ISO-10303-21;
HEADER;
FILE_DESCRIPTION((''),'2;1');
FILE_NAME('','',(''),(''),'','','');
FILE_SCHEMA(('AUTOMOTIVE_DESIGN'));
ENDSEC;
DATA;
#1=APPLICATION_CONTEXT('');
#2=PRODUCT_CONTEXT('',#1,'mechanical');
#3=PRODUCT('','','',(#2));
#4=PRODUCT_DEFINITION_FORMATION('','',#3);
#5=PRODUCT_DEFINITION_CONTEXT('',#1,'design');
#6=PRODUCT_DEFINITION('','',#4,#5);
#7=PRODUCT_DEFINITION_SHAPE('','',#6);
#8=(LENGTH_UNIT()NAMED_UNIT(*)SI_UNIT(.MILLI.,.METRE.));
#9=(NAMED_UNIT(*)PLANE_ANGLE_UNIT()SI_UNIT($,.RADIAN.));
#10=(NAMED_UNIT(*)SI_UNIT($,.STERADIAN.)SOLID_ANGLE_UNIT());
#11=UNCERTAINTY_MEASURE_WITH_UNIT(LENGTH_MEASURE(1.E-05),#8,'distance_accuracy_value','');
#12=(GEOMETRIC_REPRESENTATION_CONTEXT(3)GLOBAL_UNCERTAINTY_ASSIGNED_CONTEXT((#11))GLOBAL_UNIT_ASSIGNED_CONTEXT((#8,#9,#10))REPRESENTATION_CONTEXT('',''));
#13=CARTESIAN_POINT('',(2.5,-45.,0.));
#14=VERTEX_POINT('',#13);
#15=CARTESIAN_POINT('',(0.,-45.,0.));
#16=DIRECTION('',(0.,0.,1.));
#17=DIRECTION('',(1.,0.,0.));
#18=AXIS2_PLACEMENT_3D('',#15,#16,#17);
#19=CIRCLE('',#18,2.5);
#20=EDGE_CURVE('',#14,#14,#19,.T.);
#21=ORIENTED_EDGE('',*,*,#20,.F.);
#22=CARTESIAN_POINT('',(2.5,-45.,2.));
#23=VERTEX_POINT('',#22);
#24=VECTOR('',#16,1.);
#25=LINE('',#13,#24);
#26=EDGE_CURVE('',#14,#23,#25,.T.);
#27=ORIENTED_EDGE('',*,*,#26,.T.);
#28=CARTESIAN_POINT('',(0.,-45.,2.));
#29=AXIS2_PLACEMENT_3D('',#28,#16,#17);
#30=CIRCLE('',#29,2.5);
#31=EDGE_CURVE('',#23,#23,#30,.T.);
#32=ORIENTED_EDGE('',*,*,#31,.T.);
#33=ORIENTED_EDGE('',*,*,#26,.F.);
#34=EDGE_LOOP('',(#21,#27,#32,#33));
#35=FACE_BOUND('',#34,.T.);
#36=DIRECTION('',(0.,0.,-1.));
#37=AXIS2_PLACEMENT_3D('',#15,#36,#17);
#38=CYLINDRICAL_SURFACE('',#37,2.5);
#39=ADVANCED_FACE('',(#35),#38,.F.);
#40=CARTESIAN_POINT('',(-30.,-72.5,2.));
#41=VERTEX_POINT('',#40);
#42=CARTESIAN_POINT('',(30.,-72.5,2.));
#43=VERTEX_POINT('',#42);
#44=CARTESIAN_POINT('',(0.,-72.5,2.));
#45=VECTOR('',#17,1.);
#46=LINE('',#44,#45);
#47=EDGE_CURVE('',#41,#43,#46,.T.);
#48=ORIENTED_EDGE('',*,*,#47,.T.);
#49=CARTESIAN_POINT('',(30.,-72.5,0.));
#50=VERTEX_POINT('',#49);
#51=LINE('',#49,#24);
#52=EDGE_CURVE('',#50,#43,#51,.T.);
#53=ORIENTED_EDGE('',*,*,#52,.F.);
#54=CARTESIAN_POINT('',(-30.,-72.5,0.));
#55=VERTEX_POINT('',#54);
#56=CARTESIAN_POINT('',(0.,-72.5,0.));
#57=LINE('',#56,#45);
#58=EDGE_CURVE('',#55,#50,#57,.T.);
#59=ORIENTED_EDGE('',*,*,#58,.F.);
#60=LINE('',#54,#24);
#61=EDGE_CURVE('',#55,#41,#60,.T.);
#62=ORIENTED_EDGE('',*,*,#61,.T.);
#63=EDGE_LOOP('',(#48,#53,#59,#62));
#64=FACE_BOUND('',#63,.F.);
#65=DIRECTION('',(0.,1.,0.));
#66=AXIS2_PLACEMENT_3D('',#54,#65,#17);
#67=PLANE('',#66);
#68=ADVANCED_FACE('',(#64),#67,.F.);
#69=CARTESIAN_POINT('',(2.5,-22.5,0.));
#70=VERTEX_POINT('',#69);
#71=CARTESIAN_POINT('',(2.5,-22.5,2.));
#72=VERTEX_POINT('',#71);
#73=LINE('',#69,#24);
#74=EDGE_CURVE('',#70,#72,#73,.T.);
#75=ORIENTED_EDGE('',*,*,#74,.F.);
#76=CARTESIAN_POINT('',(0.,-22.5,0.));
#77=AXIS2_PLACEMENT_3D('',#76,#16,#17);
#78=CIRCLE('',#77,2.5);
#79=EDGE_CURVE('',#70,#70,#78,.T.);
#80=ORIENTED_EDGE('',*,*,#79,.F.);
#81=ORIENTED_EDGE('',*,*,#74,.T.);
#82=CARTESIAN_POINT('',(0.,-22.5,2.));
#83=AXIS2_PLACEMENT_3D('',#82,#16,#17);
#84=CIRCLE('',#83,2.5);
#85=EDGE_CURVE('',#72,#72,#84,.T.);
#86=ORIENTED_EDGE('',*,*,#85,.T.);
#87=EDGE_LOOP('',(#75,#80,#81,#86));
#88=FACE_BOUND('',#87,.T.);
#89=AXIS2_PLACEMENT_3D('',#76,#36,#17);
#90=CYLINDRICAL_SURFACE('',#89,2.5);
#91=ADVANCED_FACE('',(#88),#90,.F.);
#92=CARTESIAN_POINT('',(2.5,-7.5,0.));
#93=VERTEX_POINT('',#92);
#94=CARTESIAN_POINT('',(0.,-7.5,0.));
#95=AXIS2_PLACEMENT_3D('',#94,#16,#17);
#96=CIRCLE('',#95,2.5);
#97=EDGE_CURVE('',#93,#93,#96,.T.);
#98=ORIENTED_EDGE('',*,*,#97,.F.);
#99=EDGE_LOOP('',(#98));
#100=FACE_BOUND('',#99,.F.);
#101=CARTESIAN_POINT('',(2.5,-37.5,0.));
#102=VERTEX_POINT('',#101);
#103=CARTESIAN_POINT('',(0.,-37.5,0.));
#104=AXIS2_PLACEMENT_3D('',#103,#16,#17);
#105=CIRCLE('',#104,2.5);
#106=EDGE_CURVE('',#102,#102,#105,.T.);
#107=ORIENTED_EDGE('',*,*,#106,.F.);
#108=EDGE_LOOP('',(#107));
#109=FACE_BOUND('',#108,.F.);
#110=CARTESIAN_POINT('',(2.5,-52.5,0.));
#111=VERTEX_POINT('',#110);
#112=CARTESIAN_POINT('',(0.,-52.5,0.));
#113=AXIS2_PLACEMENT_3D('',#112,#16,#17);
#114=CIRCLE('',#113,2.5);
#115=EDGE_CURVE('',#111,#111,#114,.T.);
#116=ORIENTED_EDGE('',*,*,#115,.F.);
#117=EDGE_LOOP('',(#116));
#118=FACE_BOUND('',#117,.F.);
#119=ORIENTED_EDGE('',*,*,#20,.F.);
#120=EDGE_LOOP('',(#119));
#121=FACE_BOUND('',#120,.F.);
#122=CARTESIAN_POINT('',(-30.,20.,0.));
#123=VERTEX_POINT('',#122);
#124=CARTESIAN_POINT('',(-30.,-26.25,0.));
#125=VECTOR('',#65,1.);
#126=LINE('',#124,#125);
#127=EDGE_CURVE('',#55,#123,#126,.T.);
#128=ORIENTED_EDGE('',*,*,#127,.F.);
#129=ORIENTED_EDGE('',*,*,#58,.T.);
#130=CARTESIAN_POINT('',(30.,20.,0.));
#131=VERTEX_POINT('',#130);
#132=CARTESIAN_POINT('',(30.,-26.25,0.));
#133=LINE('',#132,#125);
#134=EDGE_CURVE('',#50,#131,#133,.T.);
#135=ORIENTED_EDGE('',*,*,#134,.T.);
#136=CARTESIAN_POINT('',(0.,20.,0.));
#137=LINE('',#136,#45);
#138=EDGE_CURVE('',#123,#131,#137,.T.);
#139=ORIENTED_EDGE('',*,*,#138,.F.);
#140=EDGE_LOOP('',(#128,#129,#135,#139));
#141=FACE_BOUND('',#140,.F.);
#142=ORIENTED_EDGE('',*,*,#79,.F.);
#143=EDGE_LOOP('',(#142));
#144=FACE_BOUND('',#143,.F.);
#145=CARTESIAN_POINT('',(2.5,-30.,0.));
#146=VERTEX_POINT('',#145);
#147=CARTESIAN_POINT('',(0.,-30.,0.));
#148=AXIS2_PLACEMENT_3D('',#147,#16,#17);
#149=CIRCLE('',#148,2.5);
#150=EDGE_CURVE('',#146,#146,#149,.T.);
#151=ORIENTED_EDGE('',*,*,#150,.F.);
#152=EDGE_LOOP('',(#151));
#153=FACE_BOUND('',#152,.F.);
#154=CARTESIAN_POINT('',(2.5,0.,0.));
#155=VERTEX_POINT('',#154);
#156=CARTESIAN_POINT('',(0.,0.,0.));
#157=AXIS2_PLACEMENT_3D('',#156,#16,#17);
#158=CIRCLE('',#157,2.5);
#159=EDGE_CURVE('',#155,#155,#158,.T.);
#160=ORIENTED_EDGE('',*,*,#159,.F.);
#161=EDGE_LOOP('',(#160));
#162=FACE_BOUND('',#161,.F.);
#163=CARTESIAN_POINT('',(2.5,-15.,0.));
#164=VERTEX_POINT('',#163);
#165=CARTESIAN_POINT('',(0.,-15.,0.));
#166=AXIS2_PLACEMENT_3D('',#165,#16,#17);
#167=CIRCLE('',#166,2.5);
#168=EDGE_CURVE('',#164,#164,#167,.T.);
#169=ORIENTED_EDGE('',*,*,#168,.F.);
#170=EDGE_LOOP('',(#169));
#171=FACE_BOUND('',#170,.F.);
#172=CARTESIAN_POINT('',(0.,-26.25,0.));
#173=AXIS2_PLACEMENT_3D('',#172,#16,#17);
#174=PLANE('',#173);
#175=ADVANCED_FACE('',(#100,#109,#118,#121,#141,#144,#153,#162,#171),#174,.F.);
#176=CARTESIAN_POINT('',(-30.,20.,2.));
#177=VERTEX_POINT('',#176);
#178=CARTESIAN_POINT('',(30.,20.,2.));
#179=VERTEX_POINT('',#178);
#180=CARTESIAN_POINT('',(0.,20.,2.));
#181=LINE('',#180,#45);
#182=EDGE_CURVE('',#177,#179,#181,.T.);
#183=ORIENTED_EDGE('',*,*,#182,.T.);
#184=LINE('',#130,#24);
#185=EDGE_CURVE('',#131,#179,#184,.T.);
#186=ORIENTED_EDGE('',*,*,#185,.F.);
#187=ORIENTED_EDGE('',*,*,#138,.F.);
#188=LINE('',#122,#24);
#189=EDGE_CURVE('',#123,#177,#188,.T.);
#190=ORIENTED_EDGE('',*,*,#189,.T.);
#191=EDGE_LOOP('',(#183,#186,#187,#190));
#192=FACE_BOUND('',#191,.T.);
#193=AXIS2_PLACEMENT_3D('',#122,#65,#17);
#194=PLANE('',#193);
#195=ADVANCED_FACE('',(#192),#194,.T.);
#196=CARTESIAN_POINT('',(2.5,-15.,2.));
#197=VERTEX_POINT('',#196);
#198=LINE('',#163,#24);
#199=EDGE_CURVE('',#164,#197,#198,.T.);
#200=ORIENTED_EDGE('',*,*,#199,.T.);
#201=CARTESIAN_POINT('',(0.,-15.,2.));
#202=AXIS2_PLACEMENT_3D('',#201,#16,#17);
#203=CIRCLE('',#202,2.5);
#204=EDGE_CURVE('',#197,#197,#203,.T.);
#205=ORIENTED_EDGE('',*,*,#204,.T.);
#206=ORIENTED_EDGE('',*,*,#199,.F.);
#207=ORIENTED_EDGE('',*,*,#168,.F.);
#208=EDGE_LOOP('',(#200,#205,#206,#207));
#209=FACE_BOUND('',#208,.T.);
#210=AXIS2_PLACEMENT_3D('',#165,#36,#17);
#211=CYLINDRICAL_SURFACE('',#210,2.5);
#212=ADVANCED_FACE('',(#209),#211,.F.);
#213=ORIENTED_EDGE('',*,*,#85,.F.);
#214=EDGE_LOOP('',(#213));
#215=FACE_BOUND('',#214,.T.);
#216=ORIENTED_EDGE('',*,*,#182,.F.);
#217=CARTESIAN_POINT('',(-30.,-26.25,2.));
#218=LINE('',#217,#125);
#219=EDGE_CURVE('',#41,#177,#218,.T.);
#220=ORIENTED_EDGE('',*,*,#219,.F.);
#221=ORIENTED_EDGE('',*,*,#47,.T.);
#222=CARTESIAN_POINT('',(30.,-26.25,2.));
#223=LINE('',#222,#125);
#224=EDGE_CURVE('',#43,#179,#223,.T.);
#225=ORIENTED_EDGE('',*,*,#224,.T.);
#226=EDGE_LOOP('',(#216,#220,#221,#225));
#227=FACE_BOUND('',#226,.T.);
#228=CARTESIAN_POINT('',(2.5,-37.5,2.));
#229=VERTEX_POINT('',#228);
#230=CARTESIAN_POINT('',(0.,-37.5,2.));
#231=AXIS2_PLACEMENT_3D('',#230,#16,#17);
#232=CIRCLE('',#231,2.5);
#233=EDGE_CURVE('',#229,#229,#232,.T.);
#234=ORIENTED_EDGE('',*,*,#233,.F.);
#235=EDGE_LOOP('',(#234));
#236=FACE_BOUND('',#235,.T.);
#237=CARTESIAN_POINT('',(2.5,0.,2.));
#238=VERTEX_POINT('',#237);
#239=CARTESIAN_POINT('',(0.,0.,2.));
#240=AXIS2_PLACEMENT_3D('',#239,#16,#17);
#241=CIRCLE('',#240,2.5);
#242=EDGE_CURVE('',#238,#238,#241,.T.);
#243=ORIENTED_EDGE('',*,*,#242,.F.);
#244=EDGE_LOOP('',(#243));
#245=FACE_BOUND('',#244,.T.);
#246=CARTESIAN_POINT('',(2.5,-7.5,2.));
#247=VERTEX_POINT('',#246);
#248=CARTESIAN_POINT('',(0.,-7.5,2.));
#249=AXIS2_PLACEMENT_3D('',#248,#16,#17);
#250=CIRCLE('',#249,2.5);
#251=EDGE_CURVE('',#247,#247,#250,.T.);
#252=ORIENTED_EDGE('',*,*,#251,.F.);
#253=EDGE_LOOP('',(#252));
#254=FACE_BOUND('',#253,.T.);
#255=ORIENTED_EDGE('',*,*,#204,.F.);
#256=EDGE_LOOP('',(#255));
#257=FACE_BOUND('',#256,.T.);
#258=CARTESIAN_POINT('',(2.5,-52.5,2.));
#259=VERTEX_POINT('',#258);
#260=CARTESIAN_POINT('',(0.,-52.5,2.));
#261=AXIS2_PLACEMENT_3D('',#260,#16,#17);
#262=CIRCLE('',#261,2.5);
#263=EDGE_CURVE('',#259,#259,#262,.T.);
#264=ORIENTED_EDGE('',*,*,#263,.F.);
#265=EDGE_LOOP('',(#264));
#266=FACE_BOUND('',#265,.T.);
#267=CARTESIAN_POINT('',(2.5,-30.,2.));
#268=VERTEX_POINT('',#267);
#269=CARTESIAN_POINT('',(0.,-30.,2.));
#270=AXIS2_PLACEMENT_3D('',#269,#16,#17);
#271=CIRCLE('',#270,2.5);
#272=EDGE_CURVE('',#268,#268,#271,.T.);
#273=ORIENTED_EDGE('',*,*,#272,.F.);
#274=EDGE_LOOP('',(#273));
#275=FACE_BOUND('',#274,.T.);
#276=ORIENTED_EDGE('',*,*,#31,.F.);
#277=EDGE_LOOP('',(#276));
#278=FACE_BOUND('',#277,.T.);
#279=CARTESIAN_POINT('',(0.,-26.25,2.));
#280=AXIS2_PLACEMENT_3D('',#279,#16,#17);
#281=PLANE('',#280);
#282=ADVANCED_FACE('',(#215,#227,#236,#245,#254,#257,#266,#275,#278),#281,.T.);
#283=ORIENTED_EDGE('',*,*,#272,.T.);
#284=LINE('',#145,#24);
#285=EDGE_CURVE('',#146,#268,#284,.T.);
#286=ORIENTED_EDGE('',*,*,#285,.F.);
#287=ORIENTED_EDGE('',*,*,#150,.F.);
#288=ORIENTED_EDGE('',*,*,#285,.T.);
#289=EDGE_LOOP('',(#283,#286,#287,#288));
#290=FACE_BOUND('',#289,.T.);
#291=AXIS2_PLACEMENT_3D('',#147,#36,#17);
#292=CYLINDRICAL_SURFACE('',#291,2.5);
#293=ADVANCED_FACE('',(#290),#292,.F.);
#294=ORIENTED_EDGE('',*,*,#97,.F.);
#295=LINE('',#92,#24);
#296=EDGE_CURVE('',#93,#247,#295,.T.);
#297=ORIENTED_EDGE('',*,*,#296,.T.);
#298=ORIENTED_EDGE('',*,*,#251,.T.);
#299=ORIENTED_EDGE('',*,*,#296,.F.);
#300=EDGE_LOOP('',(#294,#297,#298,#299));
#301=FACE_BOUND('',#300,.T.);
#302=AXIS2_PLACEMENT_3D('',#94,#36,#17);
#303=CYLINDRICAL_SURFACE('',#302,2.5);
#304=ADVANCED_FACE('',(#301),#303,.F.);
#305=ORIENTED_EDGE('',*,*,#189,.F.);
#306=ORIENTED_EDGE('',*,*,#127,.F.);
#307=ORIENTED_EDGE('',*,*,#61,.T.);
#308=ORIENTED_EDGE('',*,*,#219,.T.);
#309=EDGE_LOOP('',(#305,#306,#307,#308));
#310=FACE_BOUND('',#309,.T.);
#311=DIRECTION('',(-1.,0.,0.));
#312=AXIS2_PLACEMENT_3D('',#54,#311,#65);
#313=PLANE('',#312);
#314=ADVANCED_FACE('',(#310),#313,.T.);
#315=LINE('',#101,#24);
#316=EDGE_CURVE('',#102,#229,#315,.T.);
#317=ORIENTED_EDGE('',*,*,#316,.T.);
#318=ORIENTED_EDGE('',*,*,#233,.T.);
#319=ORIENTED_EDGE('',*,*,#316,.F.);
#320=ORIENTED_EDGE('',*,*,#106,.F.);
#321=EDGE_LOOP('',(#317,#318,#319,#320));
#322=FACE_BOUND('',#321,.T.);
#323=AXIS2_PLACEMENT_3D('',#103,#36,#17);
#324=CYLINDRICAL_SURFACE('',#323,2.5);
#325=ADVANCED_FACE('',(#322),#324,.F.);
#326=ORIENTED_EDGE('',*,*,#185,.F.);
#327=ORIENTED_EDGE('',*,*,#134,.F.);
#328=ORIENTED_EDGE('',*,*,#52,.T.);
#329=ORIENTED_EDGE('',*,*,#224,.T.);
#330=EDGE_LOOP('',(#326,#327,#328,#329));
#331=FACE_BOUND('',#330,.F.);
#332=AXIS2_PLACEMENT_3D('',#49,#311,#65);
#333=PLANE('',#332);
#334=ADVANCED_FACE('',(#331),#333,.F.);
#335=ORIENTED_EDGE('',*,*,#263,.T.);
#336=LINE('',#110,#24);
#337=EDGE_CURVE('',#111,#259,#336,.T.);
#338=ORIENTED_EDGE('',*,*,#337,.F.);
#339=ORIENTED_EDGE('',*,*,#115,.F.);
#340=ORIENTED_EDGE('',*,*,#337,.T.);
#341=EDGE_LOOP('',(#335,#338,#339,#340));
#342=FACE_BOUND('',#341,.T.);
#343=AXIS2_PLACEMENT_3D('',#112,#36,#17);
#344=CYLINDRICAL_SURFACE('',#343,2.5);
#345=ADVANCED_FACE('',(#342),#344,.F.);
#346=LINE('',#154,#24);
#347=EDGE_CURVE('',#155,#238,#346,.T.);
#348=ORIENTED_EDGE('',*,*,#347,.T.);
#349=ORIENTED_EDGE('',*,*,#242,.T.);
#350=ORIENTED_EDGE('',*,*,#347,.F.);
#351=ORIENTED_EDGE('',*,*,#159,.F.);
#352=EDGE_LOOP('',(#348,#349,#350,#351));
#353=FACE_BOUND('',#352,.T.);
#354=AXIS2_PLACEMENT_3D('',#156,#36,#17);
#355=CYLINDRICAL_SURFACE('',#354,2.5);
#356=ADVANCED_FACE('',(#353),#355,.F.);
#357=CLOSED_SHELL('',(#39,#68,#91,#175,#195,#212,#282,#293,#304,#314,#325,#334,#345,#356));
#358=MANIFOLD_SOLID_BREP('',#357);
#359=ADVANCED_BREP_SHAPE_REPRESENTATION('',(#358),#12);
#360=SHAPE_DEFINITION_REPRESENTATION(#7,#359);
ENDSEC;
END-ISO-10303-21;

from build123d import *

# Parameters (mm, degrees)
F0_W     = 60
F0_H     = 92.5
F0_R     = 2.5
F1_DEPTH = 2


with BuildPart() as f1:
    # F0 (on Top) → F1 (new body)
    with BuildSketch(Plane.XY):
        with Locations((0, -26.25)):
            Rectangle(F0_W, F0_H)
        with Locations((0, -52.5)):
            Circle(F0_R, mode=Mode.SUBTRACT)
        with Locations((0, -45)):
            Circle(F0_R, mode=Mode.SUBTRACT)
        with Locations((0, -37.5)):
            Circle(F0_R, mode=Mode.SUBTRACT)
        with Locations((0, -30)):
            Circle(F0_R, mode=Mode.SUBTRACT)
        with Locations((0, -22.5)):
            Circle(F0_R, mode=Mode.SUBTRACT)
        with Locations((0, -15)):
            Circle(F0_R, mode=Mode.SUBTRACT)
        with Locations((0, -7.5)):
            Circle(F0_R, mode=Mode.SUBTRACT)
        Circle(F0_R, mode=Mode.SUBTRACT)
    extrude(amount=F1_DEPTH)


solid = f1.part
